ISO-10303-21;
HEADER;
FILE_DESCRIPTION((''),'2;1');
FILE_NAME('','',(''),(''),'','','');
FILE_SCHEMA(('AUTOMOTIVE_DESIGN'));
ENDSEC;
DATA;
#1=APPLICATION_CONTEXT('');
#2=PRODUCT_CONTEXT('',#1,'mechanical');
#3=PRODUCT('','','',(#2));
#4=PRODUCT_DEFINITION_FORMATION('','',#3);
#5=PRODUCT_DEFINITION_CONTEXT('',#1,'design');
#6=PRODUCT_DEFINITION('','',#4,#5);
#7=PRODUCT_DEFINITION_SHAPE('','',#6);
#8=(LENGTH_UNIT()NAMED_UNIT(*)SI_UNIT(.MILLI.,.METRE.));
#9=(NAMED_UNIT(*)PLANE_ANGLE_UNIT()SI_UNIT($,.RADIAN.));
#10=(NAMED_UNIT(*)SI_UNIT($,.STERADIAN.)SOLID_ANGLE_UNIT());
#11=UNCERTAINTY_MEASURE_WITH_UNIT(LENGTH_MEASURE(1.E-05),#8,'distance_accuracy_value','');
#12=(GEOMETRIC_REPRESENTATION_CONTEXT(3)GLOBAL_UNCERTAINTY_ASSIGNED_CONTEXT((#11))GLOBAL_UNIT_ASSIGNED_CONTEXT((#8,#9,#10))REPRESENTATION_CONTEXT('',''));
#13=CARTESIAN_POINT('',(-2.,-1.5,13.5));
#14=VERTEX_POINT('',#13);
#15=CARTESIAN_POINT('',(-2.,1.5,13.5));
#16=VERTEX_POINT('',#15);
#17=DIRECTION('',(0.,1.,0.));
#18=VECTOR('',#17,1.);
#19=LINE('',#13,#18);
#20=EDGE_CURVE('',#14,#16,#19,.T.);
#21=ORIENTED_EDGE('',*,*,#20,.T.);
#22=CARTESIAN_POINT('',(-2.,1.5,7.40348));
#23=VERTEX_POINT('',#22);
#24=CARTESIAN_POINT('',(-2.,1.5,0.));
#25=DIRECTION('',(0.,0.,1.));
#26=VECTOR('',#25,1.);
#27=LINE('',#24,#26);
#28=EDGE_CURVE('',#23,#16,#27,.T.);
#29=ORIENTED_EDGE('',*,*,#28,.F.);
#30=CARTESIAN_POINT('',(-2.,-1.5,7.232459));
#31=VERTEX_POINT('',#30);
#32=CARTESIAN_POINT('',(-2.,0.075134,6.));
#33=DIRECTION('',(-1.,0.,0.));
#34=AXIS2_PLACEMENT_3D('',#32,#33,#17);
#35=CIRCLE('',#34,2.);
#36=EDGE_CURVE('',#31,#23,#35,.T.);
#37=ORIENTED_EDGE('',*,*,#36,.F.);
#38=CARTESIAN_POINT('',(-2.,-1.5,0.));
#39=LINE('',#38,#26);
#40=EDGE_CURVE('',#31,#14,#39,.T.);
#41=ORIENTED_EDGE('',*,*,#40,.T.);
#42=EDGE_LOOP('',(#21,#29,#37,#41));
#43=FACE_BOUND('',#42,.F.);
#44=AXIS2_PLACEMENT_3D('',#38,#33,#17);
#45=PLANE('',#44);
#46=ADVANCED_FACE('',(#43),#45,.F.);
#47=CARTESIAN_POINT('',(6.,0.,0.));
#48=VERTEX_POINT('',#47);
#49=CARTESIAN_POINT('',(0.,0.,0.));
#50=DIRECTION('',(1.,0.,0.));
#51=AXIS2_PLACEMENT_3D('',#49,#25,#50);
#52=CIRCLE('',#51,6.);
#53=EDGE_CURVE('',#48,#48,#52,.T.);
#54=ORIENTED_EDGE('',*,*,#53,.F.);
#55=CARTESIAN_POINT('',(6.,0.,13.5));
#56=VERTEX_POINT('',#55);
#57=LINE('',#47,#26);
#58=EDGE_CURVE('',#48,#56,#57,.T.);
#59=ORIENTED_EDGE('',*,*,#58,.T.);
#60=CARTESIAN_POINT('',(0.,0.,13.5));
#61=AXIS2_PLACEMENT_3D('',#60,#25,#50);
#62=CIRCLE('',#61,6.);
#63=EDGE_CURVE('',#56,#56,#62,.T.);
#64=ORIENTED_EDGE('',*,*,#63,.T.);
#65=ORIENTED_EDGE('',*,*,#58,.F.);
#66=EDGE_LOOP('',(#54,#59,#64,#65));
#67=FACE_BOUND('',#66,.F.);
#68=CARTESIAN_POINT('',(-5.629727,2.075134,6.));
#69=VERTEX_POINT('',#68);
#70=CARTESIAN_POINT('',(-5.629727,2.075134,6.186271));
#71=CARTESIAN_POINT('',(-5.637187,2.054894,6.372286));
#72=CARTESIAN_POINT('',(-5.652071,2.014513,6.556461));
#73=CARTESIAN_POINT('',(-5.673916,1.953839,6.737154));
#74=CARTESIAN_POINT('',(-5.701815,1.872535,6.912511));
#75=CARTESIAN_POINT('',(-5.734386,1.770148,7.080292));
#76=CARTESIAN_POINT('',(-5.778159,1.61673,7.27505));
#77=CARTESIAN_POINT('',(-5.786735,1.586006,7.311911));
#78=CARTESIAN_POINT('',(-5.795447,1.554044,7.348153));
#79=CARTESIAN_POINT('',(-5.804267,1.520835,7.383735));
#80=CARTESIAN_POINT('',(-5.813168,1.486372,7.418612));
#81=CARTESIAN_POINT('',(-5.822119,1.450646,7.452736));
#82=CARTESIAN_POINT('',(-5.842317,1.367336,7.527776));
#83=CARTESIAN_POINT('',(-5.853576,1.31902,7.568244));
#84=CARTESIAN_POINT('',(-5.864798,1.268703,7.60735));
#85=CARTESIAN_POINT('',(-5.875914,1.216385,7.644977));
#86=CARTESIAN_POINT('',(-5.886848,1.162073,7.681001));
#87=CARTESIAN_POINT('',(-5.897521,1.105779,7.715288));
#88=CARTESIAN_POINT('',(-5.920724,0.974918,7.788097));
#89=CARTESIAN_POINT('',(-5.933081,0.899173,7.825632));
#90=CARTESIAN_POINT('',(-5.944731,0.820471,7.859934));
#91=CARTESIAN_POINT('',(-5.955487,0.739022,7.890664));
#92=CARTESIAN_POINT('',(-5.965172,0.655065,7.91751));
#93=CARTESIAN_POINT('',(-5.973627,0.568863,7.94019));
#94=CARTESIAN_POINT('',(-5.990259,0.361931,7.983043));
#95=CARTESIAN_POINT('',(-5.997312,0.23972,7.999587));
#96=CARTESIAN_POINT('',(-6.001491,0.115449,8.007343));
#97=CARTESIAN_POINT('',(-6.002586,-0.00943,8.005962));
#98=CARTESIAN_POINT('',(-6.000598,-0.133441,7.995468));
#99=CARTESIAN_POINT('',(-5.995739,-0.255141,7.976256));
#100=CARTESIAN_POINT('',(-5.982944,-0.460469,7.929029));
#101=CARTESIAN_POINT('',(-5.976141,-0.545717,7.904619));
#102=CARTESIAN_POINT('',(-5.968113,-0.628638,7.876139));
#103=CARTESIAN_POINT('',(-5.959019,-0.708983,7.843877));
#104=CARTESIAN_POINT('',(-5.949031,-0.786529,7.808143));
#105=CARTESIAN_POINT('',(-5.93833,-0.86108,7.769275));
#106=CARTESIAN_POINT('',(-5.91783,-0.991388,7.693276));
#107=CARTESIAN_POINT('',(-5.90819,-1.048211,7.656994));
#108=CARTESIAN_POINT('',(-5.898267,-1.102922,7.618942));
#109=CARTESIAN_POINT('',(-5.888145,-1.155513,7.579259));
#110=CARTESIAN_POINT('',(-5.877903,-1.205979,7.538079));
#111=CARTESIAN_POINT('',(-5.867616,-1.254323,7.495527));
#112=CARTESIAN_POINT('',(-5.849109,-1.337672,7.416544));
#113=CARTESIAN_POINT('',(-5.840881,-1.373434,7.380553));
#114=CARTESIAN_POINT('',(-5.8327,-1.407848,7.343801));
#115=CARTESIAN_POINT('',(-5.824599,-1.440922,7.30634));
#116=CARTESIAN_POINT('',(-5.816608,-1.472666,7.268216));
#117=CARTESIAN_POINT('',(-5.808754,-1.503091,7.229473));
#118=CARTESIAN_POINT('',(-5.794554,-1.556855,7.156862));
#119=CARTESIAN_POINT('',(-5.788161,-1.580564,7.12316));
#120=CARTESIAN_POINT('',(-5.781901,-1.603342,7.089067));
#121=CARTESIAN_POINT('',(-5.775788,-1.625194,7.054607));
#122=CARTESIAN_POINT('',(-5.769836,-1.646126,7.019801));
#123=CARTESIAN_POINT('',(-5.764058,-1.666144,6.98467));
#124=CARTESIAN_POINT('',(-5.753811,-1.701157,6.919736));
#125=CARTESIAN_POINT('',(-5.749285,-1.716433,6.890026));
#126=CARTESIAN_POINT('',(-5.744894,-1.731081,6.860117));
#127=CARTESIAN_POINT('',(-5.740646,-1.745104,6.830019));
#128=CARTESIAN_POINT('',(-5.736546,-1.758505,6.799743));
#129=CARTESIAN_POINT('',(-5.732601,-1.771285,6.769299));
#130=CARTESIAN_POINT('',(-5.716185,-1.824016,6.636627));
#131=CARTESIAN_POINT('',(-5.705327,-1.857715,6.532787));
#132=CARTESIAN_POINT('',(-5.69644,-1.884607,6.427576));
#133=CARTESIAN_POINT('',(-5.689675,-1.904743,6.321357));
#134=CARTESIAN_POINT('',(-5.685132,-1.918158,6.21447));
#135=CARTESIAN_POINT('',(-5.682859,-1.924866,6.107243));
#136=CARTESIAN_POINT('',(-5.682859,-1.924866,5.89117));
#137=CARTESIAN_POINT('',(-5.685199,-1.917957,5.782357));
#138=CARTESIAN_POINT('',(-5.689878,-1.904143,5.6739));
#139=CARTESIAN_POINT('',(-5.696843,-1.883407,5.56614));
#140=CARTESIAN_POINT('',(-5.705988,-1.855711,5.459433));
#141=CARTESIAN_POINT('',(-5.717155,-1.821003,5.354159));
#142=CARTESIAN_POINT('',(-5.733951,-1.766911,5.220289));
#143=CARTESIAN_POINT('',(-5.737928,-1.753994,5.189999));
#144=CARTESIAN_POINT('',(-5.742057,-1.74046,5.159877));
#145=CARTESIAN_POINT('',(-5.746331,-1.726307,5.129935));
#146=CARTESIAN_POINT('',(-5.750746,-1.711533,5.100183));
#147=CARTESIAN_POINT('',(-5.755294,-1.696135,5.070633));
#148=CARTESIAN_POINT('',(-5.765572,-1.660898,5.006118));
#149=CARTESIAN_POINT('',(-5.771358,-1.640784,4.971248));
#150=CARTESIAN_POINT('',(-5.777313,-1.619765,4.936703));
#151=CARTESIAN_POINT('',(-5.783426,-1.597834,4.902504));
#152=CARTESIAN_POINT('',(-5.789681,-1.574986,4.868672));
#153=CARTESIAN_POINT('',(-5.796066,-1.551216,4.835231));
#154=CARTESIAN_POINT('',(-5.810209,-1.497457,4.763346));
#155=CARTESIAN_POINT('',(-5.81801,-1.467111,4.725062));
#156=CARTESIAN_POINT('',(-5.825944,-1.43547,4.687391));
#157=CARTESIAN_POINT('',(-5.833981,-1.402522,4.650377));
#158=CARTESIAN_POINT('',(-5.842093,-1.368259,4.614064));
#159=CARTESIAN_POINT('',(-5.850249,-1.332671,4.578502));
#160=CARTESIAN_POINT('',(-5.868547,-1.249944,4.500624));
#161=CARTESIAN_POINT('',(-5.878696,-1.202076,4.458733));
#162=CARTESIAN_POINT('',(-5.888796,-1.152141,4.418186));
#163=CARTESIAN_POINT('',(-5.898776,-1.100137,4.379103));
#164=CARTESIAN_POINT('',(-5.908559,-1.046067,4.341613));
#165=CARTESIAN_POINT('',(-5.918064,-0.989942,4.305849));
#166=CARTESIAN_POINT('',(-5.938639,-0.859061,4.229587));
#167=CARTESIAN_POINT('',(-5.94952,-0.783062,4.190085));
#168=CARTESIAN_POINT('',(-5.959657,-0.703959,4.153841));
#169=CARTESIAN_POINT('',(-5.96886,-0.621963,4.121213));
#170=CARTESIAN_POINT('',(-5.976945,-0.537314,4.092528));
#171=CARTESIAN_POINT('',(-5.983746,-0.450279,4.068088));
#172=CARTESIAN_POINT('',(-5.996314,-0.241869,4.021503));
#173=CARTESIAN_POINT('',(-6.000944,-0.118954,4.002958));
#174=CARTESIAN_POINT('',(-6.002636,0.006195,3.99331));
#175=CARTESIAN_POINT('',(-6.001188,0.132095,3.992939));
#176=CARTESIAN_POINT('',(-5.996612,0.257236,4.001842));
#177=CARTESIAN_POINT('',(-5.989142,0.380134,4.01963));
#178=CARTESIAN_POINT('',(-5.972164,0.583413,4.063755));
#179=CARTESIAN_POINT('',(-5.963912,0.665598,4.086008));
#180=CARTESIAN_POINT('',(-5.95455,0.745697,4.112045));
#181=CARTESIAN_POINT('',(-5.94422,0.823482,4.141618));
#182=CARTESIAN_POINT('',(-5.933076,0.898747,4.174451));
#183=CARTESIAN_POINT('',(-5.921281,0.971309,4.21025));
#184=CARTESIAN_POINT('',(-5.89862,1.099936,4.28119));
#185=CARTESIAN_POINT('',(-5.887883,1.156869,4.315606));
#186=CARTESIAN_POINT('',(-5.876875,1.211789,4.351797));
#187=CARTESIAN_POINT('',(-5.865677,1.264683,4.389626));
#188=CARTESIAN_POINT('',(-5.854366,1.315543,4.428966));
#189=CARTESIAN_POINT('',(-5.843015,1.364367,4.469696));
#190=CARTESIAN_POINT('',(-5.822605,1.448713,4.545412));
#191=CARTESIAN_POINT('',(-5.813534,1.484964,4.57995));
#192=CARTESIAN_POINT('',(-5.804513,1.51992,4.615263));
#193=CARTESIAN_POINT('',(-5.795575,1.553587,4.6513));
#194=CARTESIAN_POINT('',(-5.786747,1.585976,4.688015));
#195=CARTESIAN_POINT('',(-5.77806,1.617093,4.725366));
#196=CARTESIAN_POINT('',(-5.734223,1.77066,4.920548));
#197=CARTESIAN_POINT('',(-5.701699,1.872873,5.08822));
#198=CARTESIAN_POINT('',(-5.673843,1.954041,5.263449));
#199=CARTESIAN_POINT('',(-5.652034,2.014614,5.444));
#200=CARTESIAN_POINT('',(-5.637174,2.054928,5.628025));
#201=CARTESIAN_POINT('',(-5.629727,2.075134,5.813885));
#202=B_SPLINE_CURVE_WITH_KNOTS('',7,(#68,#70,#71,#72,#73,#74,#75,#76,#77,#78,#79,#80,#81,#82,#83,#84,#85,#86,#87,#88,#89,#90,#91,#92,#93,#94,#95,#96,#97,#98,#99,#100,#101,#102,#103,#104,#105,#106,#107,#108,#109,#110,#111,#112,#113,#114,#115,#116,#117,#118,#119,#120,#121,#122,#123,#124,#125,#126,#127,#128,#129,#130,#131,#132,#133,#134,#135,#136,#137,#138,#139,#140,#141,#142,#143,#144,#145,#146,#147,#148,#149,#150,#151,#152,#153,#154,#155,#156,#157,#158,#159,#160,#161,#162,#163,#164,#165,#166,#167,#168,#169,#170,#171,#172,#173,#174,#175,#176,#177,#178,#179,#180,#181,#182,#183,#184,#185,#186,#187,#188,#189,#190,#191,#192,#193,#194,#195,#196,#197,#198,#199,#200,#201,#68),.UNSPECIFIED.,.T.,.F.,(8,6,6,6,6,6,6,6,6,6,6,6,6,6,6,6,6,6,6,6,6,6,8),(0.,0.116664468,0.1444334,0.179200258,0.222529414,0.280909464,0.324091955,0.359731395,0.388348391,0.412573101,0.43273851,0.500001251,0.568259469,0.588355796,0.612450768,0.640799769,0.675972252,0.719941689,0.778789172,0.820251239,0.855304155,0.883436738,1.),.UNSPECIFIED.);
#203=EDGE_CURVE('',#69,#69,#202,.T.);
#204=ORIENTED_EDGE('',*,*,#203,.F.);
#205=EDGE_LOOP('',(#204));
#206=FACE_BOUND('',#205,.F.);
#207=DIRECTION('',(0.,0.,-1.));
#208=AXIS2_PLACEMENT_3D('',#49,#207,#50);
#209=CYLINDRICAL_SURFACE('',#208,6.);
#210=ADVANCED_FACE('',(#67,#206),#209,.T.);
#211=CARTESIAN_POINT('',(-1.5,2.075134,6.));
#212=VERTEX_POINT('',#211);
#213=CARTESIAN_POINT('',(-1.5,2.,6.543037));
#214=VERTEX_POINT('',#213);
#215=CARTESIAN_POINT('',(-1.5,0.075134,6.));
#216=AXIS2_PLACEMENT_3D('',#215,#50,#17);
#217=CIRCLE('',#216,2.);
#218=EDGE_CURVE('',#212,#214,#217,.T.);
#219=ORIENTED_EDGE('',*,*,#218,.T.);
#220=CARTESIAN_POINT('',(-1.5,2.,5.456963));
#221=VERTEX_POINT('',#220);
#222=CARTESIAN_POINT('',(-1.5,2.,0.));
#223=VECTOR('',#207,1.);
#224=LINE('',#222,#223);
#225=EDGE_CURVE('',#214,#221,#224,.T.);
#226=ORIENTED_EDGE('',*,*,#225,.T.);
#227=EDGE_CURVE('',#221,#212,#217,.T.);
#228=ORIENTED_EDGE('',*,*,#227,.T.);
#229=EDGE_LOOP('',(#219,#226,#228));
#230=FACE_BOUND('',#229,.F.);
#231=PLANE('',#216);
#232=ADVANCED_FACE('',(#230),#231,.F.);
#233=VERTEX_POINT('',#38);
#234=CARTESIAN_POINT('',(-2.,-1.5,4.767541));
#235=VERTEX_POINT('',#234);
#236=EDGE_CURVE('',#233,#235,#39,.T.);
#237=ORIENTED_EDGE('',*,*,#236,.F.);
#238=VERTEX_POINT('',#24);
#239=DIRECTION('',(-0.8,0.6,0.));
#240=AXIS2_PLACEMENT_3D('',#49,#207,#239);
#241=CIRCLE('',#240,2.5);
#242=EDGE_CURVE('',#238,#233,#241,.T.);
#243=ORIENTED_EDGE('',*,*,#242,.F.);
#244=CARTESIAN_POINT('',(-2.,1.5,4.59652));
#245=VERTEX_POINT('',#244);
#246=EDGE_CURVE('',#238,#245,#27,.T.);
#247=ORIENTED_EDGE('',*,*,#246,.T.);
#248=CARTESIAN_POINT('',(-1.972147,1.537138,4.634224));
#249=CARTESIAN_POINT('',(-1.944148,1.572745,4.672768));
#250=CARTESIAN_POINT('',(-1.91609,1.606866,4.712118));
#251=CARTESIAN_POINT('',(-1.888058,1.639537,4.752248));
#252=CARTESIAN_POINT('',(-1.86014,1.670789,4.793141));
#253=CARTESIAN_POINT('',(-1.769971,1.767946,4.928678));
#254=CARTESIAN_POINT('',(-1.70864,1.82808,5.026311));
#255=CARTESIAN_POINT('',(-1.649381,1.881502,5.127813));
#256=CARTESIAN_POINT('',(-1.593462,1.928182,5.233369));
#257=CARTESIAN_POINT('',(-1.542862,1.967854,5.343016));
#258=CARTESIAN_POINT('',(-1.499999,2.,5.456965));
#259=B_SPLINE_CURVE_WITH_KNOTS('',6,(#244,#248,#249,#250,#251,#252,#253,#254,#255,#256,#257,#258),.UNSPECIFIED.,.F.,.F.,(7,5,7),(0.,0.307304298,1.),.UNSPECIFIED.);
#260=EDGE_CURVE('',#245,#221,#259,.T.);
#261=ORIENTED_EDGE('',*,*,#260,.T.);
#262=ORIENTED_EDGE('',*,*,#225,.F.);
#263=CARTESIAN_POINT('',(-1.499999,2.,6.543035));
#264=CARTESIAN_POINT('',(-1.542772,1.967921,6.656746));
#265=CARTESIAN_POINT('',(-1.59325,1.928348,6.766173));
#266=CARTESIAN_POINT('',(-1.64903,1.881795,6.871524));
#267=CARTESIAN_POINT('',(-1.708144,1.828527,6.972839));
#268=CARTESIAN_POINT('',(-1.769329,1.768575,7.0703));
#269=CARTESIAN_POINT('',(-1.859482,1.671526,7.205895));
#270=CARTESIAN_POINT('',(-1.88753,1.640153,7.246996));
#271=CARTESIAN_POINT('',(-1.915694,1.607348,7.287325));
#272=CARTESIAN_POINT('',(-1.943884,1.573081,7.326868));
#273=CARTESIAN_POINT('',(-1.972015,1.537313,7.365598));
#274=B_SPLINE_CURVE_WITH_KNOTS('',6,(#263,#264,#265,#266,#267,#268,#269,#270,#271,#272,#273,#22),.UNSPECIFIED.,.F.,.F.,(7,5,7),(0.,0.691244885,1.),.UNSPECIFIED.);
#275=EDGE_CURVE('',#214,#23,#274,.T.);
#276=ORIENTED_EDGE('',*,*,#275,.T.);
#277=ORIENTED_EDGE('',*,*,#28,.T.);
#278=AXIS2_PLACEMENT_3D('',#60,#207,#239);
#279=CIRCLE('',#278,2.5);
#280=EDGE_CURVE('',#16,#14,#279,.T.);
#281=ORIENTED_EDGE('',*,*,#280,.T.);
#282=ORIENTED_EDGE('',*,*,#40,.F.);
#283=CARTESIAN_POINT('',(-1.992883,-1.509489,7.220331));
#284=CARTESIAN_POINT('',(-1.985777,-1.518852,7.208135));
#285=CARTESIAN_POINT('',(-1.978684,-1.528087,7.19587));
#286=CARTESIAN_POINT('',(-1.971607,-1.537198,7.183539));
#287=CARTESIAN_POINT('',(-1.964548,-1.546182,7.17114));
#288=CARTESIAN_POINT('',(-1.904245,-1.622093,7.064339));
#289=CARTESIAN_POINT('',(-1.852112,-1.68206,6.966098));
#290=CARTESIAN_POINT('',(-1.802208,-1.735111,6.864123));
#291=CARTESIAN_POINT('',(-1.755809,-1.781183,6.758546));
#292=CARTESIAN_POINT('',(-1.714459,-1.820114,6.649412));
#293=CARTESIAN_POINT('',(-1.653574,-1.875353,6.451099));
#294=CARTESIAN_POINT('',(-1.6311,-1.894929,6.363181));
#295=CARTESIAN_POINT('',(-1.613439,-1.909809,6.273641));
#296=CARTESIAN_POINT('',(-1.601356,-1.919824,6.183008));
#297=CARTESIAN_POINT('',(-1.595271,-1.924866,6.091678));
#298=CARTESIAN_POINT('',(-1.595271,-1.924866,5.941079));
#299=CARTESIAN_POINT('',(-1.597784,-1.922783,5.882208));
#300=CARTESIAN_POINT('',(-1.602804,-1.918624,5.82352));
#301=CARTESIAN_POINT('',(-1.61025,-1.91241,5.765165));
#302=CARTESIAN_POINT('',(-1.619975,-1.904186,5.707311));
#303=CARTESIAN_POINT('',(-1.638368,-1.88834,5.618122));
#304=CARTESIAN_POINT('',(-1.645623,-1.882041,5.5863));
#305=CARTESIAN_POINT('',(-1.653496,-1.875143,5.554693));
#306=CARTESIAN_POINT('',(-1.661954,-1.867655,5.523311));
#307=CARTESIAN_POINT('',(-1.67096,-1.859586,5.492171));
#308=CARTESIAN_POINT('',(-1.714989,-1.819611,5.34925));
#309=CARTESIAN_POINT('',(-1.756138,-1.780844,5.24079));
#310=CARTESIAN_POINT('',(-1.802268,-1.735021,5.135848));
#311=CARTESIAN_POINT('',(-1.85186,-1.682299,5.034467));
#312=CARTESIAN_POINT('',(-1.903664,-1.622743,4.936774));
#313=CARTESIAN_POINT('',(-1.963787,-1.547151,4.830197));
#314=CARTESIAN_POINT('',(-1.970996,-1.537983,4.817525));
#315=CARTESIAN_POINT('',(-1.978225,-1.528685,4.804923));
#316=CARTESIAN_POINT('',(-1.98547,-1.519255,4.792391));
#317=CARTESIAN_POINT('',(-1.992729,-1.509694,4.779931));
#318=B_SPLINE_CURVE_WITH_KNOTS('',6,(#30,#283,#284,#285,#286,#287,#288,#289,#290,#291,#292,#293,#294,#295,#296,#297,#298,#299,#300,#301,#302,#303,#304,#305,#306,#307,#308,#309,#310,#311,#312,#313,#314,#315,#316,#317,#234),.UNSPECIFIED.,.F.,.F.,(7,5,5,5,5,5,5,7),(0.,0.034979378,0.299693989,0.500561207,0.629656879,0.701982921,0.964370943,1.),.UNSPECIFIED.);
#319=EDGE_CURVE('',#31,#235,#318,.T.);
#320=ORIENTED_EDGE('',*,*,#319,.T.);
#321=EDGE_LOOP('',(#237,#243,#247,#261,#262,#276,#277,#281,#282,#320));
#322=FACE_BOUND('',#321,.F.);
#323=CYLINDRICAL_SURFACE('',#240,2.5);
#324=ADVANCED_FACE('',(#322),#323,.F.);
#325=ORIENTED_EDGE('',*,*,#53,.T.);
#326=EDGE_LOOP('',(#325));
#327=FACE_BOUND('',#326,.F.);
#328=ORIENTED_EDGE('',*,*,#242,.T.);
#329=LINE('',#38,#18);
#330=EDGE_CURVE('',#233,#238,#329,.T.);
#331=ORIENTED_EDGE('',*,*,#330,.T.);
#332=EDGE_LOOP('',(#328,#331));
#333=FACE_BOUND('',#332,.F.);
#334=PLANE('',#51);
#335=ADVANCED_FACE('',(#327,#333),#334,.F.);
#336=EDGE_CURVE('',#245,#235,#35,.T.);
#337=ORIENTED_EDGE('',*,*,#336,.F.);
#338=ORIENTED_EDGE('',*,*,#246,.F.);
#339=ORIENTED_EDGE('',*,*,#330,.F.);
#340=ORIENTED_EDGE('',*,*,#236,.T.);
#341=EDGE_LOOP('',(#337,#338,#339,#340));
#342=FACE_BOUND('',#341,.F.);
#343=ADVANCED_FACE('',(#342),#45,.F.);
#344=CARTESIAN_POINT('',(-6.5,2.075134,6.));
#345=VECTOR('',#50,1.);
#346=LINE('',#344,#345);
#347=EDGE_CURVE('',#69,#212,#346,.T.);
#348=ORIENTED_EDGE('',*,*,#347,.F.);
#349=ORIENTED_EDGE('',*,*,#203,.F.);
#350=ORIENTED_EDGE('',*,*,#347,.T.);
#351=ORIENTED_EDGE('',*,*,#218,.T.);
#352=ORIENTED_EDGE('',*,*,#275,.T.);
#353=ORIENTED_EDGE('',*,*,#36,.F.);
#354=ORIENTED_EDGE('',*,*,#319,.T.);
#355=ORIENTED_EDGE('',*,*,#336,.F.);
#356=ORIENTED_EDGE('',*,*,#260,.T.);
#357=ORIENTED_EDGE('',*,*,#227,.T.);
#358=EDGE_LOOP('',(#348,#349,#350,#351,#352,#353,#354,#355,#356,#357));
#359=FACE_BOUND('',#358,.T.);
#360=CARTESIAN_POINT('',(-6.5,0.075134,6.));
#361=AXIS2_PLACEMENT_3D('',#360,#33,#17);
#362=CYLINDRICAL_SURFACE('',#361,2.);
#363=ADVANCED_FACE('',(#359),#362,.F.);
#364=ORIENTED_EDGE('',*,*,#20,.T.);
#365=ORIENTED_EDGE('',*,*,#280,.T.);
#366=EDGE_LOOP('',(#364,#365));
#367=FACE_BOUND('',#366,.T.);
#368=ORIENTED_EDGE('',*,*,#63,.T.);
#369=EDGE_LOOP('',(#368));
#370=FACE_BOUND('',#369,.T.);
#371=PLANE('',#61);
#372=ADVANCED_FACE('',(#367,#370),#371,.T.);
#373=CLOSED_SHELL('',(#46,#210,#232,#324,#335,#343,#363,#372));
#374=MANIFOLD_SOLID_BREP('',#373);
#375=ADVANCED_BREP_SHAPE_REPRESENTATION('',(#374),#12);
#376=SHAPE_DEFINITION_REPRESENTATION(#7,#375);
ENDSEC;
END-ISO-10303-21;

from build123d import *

# Parameters (mm, degrees)
F0_R     = 6
F1_DEPTH = 13.5
F3_R     = 2
F4_DEPTH = 5


with BuildPart() as f1:
    # F0 (on Top) → F1 (new body)
    with BuildSketch(Plane.XY):
        Circle(F0_R)
        with BuildLine():
            ThreePointArc((-2, 1.5), (2.5, 0), (-2, -1.5))
            Line((-2, -1.5), (-2, 1.5))
        make_face(mode=Mode.SUBTRACT)
    extrude(amount=F1_DEPTH)

    # F3 (on offset) → F4 (cut)
    with BuildSketch(Plane.YZ.offset(-6.5)):
        with Locations((0.0751335174, 6)):
            Circle(F3_R)
    extrude(amount=F4_DEPTH, mode=Mode.SUBTRACT)


solid = f1.part
